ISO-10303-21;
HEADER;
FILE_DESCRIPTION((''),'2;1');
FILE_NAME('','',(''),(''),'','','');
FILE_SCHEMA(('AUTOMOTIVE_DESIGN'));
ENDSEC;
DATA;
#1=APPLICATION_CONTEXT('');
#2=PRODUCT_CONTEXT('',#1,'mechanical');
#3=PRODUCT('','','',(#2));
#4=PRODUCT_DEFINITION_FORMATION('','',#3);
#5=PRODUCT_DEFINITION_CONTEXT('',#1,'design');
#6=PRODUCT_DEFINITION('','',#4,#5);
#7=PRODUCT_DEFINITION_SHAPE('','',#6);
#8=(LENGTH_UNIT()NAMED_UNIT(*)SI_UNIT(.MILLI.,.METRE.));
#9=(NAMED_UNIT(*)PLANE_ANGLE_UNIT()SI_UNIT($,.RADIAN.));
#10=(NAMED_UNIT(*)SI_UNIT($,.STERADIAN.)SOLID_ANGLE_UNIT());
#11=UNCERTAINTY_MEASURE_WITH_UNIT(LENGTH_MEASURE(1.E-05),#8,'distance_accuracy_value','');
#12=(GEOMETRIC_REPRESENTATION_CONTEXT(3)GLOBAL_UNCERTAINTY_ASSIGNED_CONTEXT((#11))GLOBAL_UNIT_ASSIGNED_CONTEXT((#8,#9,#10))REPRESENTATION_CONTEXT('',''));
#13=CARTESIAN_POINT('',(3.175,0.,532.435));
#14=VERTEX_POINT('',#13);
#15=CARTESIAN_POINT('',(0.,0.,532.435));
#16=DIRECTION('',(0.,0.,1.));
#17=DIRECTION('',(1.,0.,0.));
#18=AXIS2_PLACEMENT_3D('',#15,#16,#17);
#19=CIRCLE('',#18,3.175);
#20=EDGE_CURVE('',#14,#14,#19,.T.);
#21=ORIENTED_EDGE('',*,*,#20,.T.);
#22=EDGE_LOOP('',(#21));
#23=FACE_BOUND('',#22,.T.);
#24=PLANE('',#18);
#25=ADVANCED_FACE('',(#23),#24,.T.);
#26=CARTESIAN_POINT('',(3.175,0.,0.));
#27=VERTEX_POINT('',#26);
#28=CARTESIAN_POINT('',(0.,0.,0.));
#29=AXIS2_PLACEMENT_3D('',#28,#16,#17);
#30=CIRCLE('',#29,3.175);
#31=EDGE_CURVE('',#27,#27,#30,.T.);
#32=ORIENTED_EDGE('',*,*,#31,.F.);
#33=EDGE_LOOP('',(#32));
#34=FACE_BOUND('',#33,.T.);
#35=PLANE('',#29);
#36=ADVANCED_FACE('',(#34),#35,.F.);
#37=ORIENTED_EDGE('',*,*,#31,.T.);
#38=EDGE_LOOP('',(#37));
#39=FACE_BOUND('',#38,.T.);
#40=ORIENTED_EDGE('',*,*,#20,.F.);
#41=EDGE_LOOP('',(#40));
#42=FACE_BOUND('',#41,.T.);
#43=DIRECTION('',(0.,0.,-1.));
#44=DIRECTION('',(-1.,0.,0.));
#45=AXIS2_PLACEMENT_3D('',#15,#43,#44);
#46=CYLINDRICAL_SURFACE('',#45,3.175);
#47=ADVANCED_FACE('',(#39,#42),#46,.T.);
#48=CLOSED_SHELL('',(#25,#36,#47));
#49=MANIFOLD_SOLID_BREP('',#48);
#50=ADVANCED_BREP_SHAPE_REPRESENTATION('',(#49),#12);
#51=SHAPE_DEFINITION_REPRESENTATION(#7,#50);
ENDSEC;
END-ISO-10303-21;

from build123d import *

# Parameters (mm, degrees)
SKETCH1_R           = 3.175
BOSS_EXTRUDE1_DEPTH = 532.435


with BuildPart() as part:
    # Sketch1 → Boss-Extrude1 (new body)
    with BuildSketch(Plane.XY):
        Circle(SKETCH1_R)
    extrude(amount=BOSS_EXTRUDE1_DEPTH)


solid = part.part
